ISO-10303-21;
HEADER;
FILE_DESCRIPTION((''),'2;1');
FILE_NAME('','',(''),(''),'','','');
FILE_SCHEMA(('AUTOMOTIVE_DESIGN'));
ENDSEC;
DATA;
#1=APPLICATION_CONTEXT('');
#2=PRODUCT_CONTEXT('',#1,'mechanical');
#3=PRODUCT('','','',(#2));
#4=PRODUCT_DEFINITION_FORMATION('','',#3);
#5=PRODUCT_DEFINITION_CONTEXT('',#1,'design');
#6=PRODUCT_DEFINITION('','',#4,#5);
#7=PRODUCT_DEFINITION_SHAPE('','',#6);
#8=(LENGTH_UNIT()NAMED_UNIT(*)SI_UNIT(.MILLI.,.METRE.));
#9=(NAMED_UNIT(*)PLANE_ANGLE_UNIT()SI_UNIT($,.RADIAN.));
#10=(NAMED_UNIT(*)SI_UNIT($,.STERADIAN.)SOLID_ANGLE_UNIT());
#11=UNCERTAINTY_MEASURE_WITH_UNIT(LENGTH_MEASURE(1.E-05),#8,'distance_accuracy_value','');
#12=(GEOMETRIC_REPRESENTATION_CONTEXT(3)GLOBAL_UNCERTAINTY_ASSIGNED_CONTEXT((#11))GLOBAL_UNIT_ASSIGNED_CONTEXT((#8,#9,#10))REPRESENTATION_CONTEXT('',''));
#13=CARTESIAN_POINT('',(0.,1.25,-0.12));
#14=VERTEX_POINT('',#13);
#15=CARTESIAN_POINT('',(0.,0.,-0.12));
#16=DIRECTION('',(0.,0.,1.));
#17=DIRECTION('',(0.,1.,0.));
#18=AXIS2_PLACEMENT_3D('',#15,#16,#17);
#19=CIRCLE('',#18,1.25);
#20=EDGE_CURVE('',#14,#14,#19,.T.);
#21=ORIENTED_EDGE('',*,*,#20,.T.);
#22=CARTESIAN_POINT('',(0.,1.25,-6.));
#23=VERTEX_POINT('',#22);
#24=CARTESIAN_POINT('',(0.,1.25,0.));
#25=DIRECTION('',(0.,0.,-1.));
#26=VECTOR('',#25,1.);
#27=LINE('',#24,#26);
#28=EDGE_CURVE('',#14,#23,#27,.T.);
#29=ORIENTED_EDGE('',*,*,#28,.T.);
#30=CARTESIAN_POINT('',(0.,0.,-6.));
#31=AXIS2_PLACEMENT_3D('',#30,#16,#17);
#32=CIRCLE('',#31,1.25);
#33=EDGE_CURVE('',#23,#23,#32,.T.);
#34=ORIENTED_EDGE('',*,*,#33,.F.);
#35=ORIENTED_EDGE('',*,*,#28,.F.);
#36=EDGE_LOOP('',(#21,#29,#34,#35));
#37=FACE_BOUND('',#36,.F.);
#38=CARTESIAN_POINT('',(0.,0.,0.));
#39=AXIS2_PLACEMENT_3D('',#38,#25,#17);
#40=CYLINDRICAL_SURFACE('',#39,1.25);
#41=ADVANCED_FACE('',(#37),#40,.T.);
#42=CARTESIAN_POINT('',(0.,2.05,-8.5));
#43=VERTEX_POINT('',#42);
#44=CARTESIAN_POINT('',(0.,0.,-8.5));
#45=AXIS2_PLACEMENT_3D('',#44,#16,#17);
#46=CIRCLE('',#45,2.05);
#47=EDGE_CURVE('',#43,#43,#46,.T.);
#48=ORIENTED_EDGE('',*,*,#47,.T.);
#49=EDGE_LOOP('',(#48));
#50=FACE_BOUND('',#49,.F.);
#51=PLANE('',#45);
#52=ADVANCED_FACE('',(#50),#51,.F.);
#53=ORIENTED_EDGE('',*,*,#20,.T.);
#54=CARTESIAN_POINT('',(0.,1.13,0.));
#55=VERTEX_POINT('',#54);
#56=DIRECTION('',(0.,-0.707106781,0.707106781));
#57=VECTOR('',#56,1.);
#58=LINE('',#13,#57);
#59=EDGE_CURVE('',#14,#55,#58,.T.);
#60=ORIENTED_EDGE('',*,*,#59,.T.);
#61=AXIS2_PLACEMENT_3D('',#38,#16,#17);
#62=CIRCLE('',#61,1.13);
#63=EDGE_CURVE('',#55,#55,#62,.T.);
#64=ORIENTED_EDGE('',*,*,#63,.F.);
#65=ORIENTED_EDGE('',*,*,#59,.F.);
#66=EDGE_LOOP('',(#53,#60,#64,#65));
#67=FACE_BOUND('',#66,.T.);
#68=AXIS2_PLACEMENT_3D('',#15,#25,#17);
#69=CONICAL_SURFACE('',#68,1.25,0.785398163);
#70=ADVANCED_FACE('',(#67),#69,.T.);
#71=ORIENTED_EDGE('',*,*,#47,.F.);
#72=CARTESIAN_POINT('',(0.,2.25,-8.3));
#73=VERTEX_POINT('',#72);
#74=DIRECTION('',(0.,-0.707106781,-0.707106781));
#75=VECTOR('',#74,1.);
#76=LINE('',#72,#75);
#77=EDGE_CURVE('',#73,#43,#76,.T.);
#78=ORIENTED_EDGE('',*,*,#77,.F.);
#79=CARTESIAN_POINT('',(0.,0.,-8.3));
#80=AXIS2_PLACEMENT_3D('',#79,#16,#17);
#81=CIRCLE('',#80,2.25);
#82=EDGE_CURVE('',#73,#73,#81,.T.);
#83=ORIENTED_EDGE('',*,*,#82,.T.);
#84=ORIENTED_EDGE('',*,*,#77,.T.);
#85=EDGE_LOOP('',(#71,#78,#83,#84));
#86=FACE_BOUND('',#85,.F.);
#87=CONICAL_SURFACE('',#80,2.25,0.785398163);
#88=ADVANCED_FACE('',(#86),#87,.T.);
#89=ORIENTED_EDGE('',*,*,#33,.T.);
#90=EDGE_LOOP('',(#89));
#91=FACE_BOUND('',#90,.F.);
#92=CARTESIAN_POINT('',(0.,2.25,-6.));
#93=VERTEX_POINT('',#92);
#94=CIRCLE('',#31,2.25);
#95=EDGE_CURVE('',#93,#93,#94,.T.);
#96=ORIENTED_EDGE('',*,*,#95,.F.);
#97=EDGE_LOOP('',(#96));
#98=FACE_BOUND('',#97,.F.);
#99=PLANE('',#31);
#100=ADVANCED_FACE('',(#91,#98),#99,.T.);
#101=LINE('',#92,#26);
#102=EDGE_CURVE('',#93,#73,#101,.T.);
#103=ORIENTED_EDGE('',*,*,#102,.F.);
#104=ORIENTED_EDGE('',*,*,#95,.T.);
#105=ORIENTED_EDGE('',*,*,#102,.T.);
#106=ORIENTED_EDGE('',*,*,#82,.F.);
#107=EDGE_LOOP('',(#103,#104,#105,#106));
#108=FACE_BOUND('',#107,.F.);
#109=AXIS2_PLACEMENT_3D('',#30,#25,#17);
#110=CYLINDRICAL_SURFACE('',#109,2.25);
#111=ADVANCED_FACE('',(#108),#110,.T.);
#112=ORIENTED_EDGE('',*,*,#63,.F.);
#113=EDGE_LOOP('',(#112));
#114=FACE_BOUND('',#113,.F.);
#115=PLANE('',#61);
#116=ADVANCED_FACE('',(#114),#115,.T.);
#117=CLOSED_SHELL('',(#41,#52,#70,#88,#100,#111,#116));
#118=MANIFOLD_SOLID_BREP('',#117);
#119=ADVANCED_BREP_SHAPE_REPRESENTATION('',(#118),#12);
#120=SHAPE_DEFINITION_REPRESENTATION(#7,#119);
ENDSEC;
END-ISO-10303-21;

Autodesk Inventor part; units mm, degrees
ref_plane "YZ Plane" through (0, 0, 0) normal (1, 0, 0) x (0, 1, 0)
ref_plane "XZ Plane" through (0, 0, 0) normal (0, 1, 0) x (-1, 0, 0)
ref_plane "XY Plane" through (0, 0, 0) normal (0, 0, 1) x (1, 0, 0)
sketch "スケッチ1" plane through (0, 0, 0) normal (1, 0, 0) x (0, 1, 0)
  line L0 (0, 0) -> (1.25, 0)
  line L1 (1.25, 0) -> (1.25, -6)
  line L2 (1.25, -6) -> (0, -6)
  line L3 (0, -6) -> (0, 0)
  line L4 (0, -6) -> (2.25, -6)
  line L5 (2.25, -6) -> (2.25, -8.5)
  line L6 (2.25, -8.5) -> (0, -8.5)
  line L7 (0, -8.5) -> (0, -6)
  line L8 (2.25, -8.3) -> (2.05, -8.5)
  line L9 (1.25, -0.12) -> (1.13, 0)
  point P0 (2.25, -7.25)
  point P1 (1.25, -6)
  dimension "d0" = 45
  dimension "d1" = 2.25
  dimension "d2" = 2.5
  dimension "d3" = 6
  dimension "d7" = 1.25
  dimension "d10" = 45
  dimension "d11" = 0.2
  dimension "d12" = 0.12
revolve "回転1" add sketch "スケッチ1" angle 360 about axis through (0, 0, -6) along (0, 0, 1) contours L0 L9 L1 L2 L3 | L2 L4 L5 L8 L6 L7
thread "ねじ2" size "M2.5x0.45" class "6g" standard "ANSI Metric M Profile" length 30
properties part number "CSH-316L-M2_5-6" material "ステンレス鋼"
